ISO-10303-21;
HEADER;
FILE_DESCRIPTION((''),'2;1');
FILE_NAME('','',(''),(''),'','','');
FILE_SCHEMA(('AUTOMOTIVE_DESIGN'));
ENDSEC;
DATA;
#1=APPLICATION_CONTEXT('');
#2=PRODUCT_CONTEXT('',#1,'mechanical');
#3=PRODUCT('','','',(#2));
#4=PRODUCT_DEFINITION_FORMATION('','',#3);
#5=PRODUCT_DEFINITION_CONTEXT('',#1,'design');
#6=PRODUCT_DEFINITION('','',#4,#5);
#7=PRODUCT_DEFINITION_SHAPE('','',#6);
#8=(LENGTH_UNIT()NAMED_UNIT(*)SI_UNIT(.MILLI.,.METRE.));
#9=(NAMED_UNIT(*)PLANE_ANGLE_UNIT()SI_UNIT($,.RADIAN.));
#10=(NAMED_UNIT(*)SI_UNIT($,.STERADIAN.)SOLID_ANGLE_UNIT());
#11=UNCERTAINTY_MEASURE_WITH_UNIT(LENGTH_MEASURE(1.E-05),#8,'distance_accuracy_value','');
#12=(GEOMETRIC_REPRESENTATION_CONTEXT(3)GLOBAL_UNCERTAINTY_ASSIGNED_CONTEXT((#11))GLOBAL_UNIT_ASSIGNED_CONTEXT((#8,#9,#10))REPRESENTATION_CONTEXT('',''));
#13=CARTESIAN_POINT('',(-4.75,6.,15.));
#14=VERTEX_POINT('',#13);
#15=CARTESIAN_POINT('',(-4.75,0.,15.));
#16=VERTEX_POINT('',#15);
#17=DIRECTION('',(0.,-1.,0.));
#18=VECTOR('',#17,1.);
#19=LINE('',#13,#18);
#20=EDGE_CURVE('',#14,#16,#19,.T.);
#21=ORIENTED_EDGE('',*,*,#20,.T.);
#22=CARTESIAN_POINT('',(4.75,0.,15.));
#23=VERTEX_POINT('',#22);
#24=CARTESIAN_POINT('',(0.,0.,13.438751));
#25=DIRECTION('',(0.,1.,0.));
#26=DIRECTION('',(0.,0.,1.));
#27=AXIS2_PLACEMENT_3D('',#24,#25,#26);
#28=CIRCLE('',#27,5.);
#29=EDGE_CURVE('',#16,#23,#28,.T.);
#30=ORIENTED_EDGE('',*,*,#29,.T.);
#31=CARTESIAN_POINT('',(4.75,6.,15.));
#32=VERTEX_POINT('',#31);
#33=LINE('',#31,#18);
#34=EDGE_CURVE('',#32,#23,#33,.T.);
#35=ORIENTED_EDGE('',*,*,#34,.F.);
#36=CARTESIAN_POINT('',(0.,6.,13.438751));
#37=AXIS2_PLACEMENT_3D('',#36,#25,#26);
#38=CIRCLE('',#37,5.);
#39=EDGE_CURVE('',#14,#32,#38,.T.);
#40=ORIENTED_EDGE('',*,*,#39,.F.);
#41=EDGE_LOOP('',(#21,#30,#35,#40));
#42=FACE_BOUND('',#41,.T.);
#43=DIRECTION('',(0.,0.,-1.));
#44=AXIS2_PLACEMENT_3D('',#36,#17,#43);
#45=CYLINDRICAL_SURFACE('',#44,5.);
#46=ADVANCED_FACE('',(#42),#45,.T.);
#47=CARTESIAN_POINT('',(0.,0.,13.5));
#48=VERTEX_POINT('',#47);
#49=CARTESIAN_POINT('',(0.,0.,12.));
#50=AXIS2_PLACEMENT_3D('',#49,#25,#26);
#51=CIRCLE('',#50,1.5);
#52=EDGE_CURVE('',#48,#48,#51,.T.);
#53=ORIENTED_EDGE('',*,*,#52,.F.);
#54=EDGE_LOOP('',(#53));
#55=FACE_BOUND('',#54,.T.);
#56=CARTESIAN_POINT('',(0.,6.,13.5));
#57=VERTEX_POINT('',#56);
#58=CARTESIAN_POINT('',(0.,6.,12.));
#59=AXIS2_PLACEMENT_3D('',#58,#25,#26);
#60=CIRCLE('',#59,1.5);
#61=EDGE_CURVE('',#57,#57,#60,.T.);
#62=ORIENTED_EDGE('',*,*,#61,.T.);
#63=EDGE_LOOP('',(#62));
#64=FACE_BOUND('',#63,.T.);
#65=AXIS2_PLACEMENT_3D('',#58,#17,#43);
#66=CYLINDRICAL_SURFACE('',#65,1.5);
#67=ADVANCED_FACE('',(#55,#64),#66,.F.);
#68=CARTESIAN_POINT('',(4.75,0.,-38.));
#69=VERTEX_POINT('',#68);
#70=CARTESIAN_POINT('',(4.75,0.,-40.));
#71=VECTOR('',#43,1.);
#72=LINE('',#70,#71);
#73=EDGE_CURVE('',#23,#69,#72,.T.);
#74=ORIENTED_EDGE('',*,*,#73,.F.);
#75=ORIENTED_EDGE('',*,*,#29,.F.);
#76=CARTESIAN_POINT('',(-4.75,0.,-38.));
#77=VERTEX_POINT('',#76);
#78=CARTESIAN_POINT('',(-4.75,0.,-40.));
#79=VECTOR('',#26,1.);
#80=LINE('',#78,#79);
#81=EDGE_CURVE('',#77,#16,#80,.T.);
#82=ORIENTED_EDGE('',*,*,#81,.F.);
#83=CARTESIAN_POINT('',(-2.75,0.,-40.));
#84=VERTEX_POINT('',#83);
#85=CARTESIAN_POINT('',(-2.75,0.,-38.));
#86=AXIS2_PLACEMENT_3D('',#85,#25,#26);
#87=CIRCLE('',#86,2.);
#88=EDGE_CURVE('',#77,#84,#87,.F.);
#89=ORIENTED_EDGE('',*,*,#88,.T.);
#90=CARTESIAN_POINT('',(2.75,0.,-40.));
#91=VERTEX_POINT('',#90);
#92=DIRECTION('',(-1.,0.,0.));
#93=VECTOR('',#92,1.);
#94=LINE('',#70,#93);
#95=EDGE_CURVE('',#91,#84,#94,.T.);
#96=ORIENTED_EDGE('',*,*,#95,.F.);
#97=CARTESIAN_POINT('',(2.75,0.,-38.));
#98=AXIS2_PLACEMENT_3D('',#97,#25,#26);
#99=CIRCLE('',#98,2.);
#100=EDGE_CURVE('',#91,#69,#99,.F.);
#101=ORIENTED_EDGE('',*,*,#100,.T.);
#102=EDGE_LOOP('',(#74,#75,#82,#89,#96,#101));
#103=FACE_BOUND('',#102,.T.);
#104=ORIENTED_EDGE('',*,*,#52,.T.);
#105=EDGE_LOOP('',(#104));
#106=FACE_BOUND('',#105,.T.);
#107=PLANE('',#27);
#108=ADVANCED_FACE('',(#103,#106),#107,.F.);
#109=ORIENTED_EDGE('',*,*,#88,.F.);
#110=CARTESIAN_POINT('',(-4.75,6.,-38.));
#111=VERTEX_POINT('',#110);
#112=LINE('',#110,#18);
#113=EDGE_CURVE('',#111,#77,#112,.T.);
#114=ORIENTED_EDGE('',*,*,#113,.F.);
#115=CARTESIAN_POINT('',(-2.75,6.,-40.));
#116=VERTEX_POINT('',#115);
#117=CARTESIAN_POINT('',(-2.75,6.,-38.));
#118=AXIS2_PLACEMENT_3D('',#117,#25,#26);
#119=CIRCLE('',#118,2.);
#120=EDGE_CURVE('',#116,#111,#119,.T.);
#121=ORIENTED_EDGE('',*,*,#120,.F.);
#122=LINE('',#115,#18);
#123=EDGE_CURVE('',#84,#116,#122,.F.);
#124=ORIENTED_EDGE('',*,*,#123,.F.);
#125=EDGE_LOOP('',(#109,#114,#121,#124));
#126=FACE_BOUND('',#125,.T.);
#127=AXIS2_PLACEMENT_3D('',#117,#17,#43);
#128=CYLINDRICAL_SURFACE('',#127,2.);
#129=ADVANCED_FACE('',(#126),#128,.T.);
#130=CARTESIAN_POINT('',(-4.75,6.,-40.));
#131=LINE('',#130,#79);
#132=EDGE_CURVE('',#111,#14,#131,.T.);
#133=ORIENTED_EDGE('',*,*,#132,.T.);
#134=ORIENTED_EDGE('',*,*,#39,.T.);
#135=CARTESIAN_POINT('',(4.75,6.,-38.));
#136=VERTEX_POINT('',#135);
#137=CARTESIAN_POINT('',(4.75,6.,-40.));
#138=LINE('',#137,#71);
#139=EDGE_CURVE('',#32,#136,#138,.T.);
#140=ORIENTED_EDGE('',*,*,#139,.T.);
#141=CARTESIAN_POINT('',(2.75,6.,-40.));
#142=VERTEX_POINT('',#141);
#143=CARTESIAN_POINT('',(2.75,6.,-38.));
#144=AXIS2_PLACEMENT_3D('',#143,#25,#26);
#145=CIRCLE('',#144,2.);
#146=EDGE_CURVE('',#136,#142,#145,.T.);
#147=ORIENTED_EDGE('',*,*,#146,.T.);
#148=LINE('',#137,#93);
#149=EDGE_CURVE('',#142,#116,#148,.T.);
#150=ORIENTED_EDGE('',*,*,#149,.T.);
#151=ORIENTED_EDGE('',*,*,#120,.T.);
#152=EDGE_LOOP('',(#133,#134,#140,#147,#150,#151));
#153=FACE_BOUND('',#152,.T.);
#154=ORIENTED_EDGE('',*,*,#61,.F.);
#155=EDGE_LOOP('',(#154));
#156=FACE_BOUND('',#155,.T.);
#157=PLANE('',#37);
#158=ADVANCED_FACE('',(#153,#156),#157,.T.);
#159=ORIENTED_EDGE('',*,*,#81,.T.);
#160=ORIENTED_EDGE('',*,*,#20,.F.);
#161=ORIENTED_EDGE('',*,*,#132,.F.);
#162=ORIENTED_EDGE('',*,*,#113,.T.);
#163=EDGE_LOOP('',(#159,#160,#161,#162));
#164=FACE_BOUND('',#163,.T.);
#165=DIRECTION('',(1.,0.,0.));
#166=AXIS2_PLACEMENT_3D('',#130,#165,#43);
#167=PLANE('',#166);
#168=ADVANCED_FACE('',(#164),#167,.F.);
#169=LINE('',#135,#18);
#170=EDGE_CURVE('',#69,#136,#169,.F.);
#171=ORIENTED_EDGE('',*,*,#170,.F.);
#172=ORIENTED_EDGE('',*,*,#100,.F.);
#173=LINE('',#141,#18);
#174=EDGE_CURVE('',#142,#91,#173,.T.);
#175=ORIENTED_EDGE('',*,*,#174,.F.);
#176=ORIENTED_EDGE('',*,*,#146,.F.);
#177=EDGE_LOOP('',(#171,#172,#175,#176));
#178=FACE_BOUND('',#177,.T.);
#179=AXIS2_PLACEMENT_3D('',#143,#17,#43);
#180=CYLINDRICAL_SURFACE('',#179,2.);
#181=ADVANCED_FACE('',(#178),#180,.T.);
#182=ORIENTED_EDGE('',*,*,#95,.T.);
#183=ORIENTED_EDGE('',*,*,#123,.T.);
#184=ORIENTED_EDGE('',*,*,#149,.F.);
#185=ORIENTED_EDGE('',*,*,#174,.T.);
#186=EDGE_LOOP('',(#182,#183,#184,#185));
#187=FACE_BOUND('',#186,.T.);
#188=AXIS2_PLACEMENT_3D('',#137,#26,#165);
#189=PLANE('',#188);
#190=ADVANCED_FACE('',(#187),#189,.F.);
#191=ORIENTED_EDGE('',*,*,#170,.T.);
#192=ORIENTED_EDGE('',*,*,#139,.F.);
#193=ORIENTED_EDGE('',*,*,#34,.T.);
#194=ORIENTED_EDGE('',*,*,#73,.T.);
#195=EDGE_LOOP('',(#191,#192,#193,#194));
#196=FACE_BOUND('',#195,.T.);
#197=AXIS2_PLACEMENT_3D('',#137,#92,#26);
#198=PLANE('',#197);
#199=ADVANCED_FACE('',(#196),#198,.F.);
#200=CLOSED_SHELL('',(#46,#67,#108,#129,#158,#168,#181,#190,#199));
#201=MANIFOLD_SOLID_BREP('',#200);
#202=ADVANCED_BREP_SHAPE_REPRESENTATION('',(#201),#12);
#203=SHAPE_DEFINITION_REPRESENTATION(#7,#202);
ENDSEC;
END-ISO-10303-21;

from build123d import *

# Parameters (mm, degrees)
ESQUISSE1_R        = 1.5
BOSS_EXTRU_1_DEPTH = 6
CONG_1_R           = 2


with BuildPart() as part:
    # Esquisse1 → Boss.-Extru.1 (new body)
    with BuildSketch(Plane(origin=(0, 0, 0), x_dir=(1, 0, 0), z_dir=(0, 1, 0))):
        with BuildLine():
            Line((4.75, 40), (-4.75, 40))
            Line((-4.75, 40), (-4.75, -15))
            ThreePointArc((-4.75, -15), (0, -18.4387505), (4.75, -15))
            Line((4.75, -15), (4.75, 40))
        make_face()
        with Locations((0, -12)):
            Circle(ESQUISSE1_R, mode=Mode.SUBTRACT)
    extrude(amount=BOSS_EXTRU_1_DEPTH)

    # Congé1
    cong_1_edges = [part.edges().sort_by_distance(p)[0] for p in [
        (-4.75, 3, -40),
        (4.75, 3, -40),
    ]]
    fillet(cong_1_edges, radius=CONG_1_R)


solid = part.part
